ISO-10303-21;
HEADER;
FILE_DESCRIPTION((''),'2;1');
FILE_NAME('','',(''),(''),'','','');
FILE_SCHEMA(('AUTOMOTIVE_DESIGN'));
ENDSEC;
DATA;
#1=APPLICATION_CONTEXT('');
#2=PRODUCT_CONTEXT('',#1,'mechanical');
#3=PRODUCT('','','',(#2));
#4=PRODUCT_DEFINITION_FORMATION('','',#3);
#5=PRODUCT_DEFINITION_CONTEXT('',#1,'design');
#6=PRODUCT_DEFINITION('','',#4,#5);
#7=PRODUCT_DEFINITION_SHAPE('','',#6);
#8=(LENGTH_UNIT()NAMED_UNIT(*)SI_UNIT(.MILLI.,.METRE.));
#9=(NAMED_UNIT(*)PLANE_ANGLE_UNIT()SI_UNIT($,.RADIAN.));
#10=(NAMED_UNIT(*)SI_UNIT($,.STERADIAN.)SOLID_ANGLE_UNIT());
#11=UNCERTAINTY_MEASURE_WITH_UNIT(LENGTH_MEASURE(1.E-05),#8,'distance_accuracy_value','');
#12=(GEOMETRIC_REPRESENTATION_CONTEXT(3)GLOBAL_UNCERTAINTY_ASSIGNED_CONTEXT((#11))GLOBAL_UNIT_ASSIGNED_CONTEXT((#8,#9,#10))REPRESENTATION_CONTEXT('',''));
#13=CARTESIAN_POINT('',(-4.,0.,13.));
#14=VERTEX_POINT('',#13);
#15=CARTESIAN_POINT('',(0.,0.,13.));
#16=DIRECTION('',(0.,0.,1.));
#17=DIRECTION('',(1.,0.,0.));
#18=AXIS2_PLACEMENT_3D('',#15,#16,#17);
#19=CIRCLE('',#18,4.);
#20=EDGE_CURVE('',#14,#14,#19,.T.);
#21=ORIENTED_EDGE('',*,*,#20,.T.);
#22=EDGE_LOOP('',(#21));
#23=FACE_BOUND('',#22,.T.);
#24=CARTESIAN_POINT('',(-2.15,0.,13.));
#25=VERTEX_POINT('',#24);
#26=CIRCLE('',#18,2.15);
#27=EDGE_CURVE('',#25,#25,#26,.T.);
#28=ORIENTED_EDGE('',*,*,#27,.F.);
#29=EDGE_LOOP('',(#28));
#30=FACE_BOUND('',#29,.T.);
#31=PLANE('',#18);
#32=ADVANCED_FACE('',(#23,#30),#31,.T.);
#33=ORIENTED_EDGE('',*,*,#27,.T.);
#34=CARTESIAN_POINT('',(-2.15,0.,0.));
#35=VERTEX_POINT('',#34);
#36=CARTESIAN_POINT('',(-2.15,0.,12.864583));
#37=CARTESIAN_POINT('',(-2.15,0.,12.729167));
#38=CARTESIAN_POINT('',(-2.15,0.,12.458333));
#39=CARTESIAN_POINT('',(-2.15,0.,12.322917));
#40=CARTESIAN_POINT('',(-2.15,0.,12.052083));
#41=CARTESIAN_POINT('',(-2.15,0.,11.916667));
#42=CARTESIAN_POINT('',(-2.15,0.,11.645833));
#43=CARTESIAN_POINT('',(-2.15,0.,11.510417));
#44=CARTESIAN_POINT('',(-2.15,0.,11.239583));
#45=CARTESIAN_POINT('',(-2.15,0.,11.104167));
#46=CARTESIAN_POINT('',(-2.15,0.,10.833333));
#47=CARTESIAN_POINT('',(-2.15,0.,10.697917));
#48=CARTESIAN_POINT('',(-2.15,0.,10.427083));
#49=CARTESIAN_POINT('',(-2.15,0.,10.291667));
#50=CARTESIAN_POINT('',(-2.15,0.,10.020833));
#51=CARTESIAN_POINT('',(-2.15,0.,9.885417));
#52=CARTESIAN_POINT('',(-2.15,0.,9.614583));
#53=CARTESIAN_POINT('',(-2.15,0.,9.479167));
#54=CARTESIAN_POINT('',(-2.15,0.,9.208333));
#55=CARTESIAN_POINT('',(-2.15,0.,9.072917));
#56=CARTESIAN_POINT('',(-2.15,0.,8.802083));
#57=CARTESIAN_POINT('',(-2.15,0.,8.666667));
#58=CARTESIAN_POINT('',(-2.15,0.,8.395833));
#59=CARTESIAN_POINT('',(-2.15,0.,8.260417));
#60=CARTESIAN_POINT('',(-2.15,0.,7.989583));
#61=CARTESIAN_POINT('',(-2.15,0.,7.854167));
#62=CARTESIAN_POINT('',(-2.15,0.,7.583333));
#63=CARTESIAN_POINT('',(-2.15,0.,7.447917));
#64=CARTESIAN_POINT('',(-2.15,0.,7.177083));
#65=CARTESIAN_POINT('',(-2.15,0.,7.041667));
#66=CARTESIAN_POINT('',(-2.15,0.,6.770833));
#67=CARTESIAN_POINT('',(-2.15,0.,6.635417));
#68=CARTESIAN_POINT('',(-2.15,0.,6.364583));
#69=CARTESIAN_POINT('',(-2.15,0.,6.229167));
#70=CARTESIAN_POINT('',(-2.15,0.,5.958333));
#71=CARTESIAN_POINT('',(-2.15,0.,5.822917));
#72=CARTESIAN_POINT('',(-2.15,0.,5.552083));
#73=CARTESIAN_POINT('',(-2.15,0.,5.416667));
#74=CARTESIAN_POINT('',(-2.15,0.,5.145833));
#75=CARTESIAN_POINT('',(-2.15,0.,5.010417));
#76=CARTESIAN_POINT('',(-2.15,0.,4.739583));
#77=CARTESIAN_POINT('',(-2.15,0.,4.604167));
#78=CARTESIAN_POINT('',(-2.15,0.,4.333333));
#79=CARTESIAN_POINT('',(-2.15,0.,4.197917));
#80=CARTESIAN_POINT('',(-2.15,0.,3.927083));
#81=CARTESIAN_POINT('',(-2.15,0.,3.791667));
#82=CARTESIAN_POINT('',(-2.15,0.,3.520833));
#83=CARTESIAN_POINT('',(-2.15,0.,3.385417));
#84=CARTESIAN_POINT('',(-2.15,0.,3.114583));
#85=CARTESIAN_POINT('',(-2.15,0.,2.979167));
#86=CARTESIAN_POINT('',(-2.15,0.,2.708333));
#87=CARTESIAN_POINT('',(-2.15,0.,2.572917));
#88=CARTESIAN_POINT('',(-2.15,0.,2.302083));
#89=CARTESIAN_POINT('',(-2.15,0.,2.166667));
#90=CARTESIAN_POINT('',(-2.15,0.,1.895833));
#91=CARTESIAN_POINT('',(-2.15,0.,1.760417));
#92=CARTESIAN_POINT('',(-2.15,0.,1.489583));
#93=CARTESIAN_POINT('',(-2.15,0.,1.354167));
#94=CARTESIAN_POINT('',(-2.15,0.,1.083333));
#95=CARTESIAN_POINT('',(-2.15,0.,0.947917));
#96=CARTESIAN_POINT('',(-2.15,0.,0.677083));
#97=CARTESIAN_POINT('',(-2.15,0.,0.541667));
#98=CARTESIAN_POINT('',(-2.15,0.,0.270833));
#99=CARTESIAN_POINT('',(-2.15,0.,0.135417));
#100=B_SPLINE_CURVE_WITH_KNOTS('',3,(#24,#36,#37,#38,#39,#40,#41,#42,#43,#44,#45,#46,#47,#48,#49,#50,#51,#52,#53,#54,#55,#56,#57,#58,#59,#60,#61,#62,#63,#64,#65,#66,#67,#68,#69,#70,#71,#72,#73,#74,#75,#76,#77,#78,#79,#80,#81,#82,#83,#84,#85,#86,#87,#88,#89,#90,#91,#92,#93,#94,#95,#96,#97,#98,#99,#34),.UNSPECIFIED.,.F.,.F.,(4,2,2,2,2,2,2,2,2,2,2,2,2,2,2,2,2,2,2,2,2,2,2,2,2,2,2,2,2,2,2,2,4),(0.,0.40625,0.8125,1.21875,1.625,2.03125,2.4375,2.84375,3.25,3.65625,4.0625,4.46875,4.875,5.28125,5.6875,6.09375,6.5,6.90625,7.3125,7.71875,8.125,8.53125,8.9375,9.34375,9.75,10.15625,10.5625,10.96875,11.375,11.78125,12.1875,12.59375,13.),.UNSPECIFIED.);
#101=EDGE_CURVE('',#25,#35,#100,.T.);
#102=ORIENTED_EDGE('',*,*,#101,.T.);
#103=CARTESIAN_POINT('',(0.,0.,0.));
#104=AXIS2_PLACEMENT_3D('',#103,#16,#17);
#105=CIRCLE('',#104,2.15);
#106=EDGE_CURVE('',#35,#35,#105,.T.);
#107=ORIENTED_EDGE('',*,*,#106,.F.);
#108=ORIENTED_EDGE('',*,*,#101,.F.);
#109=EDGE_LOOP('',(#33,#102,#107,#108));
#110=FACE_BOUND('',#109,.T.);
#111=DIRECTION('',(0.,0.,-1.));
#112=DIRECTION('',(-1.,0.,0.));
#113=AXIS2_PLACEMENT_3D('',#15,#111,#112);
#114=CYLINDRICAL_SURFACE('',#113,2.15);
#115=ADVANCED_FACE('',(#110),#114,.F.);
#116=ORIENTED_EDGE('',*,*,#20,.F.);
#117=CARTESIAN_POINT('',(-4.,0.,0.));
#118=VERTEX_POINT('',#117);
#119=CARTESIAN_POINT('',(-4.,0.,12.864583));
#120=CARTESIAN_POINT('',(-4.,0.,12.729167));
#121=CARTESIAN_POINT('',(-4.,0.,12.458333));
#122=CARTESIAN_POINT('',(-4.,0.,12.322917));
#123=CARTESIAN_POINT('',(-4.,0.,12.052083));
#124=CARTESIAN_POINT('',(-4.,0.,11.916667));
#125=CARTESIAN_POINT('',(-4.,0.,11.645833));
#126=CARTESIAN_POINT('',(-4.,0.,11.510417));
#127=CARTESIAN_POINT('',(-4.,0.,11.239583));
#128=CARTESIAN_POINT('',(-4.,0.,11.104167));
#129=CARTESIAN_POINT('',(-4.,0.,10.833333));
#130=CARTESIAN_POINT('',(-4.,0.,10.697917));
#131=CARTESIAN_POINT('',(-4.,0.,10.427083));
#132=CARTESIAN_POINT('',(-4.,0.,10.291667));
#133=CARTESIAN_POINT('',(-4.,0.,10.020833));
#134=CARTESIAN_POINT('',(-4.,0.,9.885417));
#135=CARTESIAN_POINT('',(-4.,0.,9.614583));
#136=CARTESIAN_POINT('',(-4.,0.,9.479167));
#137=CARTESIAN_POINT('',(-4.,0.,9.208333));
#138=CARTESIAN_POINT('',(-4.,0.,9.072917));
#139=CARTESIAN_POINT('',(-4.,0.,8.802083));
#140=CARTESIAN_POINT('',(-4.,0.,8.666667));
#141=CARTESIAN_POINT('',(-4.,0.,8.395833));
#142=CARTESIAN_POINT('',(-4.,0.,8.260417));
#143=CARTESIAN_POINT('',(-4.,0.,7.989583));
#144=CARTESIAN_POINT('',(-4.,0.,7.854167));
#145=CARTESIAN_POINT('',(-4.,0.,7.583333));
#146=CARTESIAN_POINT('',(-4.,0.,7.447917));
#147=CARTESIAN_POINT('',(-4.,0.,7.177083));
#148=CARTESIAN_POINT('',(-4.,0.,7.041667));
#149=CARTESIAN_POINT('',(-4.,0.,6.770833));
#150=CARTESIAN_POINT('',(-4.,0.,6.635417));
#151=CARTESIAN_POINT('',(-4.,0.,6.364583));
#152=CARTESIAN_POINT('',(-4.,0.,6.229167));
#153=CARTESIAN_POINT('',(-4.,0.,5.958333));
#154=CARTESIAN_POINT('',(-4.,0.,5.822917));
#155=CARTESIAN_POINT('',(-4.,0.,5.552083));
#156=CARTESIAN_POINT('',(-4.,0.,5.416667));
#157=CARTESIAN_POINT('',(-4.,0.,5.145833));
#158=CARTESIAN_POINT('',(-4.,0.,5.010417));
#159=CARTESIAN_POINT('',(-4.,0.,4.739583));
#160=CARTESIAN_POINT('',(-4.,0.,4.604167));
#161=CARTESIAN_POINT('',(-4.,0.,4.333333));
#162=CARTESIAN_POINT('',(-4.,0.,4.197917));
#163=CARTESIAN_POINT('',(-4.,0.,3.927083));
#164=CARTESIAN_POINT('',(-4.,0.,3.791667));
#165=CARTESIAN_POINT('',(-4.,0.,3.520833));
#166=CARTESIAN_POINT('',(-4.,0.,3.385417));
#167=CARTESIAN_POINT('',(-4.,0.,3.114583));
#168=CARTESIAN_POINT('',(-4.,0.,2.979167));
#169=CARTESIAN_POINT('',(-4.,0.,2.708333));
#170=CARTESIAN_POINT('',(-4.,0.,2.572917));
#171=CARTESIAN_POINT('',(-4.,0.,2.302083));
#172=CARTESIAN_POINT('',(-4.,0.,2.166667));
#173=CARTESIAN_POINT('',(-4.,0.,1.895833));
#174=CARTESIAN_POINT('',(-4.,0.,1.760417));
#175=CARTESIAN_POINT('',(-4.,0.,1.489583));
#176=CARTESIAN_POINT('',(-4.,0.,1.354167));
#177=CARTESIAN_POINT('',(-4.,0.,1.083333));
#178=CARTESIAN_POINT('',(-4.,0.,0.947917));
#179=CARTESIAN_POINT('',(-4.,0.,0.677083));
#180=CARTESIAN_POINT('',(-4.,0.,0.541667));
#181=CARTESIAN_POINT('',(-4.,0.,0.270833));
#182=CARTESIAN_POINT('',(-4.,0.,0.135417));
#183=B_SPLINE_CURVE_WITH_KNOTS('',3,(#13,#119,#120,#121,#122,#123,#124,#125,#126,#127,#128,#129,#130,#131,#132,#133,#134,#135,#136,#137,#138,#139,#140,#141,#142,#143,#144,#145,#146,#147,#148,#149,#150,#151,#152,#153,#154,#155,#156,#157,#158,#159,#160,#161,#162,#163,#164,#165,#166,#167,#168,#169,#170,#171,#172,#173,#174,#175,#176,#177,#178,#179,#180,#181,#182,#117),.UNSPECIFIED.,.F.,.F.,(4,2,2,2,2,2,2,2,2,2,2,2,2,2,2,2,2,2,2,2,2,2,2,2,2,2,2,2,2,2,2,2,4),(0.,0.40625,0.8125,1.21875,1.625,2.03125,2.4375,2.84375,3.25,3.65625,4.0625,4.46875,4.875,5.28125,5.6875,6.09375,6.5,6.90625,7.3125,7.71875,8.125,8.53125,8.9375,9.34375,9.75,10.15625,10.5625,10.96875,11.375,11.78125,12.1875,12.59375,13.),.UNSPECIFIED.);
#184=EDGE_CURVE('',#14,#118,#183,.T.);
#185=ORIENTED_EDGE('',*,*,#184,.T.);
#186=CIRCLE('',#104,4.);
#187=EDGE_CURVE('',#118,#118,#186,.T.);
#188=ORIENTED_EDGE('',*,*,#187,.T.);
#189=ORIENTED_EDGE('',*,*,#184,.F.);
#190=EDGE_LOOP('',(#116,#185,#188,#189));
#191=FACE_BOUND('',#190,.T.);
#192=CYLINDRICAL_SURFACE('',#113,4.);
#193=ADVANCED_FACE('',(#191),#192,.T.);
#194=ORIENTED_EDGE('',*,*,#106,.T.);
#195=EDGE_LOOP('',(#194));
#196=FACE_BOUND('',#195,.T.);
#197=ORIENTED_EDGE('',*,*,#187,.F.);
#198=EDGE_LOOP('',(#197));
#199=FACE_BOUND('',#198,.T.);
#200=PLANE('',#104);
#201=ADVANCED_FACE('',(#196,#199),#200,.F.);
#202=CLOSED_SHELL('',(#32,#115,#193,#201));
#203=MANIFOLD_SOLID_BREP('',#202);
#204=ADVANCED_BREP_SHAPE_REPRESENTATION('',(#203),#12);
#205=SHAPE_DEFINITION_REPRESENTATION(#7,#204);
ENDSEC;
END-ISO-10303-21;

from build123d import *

# Parameters (mm, degrees)
SPACER_BETWEEN_POM_MOUNTING_EARS_PROFILE_R   = 4
SPACER_BETWEEN_POM_MOUNTING_EARS_PROFILE_R_2 = 2.15
SPACER_BETWEEN_POM_MOUNTING_EARS_DEPTH       = 13


with BuildPart() as part:
    # Spacer_between_POM_mounting_ears_profile → Spacer_between_POM_mounting_ears (new body)
    with BuildSketch(Plane.XY):
        with Locations(Location((0, 0, 0), (0, 0, 180))):
            Circle(SPACER_BETWEEN_POM_MOUNTING_EARS_PROFILE_R)
        with Locations(Location((0, 0, 0), (0, 0, 180))):
            Circle(SPACER_BETWEEN_POM_MOUNTING_EARS_PROFILE_R_2, mode=Mode.SUBTRACT)
    extrude(amount=SPACER_BETWEEN_POM_MOUNTING_EARS_DEPTH)


solid = part.part
